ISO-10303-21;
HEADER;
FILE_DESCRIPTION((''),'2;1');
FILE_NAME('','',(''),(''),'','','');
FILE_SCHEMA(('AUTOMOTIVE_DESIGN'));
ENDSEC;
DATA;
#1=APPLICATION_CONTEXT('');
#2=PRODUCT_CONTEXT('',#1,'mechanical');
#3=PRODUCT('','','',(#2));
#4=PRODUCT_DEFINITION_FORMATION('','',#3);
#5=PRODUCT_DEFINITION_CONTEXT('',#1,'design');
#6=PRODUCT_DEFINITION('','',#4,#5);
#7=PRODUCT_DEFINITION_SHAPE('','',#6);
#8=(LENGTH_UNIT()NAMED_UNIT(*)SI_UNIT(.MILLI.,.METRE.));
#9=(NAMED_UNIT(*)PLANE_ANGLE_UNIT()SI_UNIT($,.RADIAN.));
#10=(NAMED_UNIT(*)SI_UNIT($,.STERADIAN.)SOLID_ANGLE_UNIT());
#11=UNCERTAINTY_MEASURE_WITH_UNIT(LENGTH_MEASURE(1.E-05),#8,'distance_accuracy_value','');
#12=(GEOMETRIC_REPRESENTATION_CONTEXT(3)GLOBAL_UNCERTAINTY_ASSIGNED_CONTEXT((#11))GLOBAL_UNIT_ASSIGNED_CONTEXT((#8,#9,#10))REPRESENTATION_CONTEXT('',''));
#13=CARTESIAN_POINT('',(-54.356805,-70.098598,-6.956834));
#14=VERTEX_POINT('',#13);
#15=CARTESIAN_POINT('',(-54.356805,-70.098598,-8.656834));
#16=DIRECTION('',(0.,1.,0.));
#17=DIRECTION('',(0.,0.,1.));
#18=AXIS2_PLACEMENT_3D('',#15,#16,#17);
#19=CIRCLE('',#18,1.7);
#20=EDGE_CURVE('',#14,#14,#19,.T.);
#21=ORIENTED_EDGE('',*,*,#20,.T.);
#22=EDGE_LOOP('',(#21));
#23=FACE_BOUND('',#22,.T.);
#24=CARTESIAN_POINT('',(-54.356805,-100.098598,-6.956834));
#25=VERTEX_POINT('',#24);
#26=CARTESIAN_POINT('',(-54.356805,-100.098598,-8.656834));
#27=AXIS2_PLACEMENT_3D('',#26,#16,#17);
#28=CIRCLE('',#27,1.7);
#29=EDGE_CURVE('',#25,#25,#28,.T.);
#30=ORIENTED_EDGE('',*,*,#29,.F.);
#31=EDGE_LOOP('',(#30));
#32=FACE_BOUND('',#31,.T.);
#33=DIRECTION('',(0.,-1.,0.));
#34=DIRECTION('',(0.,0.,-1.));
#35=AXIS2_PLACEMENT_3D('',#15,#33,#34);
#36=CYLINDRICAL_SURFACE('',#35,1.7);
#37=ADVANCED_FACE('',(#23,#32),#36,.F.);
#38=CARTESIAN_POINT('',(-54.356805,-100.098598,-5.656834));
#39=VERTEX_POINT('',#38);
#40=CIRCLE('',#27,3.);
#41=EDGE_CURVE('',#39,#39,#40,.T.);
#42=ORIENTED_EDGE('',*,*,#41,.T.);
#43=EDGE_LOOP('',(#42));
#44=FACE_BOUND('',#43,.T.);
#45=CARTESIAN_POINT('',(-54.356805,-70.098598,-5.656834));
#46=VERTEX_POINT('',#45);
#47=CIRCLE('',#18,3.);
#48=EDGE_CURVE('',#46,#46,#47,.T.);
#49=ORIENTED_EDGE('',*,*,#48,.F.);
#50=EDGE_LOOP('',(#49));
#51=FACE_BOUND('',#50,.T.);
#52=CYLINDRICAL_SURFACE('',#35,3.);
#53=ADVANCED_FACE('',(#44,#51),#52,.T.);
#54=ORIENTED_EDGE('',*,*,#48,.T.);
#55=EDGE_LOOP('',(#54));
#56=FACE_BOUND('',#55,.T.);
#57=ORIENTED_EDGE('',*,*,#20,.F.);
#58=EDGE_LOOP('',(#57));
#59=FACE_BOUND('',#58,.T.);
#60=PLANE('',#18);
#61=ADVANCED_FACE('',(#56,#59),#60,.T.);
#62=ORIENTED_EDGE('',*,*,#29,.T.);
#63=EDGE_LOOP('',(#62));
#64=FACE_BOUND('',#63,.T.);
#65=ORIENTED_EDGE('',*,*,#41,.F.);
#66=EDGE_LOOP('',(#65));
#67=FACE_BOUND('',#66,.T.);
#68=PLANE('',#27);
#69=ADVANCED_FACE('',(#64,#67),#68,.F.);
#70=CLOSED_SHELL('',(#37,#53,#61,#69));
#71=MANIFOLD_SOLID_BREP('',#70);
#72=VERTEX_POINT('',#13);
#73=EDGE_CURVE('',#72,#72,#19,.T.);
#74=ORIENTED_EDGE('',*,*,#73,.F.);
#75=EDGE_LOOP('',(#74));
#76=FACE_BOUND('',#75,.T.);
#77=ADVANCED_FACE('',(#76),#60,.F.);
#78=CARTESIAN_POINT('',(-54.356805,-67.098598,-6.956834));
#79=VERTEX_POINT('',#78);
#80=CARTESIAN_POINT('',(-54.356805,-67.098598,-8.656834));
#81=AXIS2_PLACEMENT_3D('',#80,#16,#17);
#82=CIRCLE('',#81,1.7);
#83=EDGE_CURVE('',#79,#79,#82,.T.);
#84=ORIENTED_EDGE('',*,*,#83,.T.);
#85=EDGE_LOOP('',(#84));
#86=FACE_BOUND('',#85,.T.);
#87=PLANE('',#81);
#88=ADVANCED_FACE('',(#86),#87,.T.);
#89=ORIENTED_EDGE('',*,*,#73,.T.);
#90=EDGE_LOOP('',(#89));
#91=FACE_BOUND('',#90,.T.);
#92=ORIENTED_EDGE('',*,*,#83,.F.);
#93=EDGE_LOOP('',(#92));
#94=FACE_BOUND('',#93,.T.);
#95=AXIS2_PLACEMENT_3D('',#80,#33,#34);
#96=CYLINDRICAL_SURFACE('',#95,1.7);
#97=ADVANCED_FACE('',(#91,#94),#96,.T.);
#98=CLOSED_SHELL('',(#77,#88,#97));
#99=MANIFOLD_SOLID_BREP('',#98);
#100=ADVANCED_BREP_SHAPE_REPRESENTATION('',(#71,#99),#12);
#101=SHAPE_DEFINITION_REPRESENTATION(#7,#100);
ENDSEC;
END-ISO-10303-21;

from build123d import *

# Parameters (mm, degrees)
BOSS_EXTRUDE1_START = 3
SKETCH1_R           = 3
SKETCH1_R_2         = 1.7
BOSS_EXTRUDE1_DEPTH = 30
SKETCH2_R           = 1.7
BOSS_EXTRUDE2_DEPTH = 3


with BuildPart() as part:
    # Sketch1 → Boss-Extrude1 (new body)
    with BuildSketch(Plane(origin=(-72.683950256, -103.09859788, -8.697509221), x_dir=(0.9990402772046576, 0, 0.04380096486198651), z_dir=(0, 1, 0)).offset(BOSS_EXTRUDE1_START)):
        with Locations(Location((18.31133747, 0.762110226, 0), (0, 0, 272.510413577))):
            Circle(SKETCH1_R)
        with Locations(Location((18.31133747, 0.762110226, 0), (0, 0, 272.510413577))):
            Circle(SKETCH1_R_2, mode=Mode.SUBTRACT)
    extrude(amount=BOSS_EXTRUDE1_DEPTH)


with BuildPart() as body_2:
    # Sketch2 → Boss-Extrude2 (new body)
    with BuildSketch(Plane(origin=(0, -70.09859788, 0), x_dir=(1, 0, 0), z_dir=(0, 1, 0))):
        with Locations(Location((-54.356805431, 8.656833784, 0), (0, 0, 270))):
            Circle(SKETCH2_R)
    extrude(amount=BOSS_EXTRUDE2_DEPTH)


solid = Compound([part.part, body_2.part])
